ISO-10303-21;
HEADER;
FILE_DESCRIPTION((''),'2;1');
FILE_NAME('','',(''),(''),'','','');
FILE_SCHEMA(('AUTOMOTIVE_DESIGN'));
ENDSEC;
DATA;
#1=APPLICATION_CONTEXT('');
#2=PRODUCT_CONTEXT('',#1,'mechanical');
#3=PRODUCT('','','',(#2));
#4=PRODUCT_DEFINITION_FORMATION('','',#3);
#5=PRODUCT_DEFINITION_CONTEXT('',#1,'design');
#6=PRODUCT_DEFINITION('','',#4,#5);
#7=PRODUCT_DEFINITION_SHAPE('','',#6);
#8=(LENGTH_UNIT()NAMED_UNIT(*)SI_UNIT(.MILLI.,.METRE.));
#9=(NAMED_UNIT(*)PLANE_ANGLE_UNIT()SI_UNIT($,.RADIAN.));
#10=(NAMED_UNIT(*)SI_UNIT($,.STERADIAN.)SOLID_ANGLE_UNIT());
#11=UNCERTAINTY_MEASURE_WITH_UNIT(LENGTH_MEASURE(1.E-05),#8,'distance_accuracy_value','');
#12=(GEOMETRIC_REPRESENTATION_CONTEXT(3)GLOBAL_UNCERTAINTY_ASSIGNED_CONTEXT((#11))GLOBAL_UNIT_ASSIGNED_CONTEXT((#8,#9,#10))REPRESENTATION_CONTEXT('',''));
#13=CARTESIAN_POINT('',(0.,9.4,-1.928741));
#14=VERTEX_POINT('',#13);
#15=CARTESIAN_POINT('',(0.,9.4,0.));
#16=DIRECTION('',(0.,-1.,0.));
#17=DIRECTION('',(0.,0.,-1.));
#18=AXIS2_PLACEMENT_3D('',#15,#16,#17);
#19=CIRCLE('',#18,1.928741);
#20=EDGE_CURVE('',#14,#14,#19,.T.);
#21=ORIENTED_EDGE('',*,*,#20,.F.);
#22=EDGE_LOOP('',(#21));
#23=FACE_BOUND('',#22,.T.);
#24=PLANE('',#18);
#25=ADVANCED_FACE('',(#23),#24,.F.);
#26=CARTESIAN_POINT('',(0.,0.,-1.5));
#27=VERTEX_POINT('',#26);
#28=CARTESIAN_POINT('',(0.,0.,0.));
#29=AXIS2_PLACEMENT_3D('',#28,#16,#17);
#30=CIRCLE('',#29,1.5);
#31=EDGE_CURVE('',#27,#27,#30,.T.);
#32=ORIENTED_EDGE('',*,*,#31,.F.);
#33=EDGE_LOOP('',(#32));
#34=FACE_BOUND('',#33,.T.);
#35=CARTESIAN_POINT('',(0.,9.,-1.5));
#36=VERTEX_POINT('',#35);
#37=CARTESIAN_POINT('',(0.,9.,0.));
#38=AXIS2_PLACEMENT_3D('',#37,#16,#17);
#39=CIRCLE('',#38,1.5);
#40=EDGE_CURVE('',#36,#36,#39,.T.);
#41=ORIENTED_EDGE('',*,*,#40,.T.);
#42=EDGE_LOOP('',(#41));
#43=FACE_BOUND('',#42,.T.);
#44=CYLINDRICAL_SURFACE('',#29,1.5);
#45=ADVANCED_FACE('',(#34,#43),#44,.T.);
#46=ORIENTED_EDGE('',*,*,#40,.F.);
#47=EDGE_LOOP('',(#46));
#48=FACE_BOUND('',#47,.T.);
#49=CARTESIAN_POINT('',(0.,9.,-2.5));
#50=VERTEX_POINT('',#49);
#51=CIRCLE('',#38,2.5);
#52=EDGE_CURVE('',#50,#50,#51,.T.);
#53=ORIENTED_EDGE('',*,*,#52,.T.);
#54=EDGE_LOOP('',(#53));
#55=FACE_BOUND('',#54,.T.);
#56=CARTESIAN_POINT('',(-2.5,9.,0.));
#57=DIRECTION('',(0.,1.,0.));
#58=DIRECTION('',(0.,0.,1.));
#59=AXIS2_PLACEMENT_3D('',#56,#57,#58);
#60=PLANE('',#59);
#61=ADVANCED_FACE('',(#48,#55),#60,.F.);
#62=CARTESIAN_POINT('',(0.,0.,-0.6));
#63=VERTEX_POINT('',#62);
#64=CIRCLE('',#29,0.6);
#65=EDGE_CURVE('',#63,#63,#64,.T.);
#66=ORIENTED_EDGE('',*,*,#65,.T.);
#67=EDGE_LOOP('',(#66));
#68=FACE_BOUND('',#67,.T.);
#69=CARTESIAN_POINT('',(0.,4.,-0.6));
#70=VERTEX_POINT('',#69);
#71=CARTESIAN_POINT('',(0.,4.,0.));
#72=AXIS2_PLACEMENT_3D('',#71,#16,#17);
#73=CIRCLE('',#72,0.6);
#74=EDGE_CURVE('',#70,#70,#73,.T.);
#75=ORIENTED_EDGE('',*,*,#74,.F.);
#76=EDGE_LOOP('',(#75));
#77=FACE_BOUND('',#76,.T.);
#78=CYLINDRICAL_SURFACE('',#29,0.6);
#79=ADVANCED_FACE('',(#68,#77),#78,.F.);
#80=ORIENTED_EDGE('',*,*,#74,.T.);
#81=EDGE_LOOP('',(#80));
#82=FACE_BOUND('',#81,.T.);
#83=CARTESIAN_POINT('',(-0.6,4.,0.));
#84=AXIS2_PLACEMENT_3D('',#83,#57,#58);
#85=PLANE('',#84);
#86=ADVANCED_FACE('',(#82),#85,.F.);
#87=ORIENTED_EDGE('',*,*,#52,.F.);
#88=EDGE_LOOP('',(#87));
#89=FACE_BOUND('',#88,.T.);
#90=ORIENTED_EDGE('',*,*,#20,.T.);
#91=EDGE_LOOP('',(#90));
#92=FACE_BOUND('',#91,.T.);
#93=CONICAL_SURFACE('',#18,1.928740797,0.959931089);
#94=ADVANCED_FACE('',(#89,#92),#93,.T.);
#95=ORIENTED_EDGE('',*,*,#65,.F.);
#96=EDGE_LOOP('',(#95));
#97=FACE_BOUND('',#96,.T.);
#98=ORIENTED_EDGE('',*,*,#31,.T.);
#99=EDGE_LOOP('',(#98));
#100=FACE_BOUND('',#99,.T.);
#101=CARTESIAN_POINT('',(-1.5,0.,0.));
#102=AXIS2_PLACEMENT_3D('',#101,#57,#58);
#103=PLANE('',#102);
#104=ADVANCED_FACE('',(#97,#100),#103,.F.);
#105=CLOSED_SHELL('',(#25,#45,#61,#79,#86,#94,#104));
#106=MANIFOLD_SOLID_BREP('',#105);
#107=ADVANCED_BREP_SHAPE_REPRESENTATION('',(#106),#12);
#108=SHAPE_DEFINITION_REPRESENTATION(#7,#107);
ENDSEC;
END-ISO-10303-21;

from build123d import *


with BuildPart() as part:
    # 草图1 → 旋转1 (revolve)
    with BuildSketch(Plane.XY, mode=Mode.PRIVATE) as revolve_1_sk:
        Polygon((0, 9.4), (-1.928740797, 9.4), (-2.5, 9), (-1.5, 9), (-1.5, 0), (-0.6, 0), (-0.6, 4), (0, 4), align=None)
    revolve(revolve_1_sk.sketch.rotate(Axis((0, 0, 0), (0, 1, 0)), 270), axis=Axis((0, 0, 0), (0, 1, 0)))


solid = part.part
